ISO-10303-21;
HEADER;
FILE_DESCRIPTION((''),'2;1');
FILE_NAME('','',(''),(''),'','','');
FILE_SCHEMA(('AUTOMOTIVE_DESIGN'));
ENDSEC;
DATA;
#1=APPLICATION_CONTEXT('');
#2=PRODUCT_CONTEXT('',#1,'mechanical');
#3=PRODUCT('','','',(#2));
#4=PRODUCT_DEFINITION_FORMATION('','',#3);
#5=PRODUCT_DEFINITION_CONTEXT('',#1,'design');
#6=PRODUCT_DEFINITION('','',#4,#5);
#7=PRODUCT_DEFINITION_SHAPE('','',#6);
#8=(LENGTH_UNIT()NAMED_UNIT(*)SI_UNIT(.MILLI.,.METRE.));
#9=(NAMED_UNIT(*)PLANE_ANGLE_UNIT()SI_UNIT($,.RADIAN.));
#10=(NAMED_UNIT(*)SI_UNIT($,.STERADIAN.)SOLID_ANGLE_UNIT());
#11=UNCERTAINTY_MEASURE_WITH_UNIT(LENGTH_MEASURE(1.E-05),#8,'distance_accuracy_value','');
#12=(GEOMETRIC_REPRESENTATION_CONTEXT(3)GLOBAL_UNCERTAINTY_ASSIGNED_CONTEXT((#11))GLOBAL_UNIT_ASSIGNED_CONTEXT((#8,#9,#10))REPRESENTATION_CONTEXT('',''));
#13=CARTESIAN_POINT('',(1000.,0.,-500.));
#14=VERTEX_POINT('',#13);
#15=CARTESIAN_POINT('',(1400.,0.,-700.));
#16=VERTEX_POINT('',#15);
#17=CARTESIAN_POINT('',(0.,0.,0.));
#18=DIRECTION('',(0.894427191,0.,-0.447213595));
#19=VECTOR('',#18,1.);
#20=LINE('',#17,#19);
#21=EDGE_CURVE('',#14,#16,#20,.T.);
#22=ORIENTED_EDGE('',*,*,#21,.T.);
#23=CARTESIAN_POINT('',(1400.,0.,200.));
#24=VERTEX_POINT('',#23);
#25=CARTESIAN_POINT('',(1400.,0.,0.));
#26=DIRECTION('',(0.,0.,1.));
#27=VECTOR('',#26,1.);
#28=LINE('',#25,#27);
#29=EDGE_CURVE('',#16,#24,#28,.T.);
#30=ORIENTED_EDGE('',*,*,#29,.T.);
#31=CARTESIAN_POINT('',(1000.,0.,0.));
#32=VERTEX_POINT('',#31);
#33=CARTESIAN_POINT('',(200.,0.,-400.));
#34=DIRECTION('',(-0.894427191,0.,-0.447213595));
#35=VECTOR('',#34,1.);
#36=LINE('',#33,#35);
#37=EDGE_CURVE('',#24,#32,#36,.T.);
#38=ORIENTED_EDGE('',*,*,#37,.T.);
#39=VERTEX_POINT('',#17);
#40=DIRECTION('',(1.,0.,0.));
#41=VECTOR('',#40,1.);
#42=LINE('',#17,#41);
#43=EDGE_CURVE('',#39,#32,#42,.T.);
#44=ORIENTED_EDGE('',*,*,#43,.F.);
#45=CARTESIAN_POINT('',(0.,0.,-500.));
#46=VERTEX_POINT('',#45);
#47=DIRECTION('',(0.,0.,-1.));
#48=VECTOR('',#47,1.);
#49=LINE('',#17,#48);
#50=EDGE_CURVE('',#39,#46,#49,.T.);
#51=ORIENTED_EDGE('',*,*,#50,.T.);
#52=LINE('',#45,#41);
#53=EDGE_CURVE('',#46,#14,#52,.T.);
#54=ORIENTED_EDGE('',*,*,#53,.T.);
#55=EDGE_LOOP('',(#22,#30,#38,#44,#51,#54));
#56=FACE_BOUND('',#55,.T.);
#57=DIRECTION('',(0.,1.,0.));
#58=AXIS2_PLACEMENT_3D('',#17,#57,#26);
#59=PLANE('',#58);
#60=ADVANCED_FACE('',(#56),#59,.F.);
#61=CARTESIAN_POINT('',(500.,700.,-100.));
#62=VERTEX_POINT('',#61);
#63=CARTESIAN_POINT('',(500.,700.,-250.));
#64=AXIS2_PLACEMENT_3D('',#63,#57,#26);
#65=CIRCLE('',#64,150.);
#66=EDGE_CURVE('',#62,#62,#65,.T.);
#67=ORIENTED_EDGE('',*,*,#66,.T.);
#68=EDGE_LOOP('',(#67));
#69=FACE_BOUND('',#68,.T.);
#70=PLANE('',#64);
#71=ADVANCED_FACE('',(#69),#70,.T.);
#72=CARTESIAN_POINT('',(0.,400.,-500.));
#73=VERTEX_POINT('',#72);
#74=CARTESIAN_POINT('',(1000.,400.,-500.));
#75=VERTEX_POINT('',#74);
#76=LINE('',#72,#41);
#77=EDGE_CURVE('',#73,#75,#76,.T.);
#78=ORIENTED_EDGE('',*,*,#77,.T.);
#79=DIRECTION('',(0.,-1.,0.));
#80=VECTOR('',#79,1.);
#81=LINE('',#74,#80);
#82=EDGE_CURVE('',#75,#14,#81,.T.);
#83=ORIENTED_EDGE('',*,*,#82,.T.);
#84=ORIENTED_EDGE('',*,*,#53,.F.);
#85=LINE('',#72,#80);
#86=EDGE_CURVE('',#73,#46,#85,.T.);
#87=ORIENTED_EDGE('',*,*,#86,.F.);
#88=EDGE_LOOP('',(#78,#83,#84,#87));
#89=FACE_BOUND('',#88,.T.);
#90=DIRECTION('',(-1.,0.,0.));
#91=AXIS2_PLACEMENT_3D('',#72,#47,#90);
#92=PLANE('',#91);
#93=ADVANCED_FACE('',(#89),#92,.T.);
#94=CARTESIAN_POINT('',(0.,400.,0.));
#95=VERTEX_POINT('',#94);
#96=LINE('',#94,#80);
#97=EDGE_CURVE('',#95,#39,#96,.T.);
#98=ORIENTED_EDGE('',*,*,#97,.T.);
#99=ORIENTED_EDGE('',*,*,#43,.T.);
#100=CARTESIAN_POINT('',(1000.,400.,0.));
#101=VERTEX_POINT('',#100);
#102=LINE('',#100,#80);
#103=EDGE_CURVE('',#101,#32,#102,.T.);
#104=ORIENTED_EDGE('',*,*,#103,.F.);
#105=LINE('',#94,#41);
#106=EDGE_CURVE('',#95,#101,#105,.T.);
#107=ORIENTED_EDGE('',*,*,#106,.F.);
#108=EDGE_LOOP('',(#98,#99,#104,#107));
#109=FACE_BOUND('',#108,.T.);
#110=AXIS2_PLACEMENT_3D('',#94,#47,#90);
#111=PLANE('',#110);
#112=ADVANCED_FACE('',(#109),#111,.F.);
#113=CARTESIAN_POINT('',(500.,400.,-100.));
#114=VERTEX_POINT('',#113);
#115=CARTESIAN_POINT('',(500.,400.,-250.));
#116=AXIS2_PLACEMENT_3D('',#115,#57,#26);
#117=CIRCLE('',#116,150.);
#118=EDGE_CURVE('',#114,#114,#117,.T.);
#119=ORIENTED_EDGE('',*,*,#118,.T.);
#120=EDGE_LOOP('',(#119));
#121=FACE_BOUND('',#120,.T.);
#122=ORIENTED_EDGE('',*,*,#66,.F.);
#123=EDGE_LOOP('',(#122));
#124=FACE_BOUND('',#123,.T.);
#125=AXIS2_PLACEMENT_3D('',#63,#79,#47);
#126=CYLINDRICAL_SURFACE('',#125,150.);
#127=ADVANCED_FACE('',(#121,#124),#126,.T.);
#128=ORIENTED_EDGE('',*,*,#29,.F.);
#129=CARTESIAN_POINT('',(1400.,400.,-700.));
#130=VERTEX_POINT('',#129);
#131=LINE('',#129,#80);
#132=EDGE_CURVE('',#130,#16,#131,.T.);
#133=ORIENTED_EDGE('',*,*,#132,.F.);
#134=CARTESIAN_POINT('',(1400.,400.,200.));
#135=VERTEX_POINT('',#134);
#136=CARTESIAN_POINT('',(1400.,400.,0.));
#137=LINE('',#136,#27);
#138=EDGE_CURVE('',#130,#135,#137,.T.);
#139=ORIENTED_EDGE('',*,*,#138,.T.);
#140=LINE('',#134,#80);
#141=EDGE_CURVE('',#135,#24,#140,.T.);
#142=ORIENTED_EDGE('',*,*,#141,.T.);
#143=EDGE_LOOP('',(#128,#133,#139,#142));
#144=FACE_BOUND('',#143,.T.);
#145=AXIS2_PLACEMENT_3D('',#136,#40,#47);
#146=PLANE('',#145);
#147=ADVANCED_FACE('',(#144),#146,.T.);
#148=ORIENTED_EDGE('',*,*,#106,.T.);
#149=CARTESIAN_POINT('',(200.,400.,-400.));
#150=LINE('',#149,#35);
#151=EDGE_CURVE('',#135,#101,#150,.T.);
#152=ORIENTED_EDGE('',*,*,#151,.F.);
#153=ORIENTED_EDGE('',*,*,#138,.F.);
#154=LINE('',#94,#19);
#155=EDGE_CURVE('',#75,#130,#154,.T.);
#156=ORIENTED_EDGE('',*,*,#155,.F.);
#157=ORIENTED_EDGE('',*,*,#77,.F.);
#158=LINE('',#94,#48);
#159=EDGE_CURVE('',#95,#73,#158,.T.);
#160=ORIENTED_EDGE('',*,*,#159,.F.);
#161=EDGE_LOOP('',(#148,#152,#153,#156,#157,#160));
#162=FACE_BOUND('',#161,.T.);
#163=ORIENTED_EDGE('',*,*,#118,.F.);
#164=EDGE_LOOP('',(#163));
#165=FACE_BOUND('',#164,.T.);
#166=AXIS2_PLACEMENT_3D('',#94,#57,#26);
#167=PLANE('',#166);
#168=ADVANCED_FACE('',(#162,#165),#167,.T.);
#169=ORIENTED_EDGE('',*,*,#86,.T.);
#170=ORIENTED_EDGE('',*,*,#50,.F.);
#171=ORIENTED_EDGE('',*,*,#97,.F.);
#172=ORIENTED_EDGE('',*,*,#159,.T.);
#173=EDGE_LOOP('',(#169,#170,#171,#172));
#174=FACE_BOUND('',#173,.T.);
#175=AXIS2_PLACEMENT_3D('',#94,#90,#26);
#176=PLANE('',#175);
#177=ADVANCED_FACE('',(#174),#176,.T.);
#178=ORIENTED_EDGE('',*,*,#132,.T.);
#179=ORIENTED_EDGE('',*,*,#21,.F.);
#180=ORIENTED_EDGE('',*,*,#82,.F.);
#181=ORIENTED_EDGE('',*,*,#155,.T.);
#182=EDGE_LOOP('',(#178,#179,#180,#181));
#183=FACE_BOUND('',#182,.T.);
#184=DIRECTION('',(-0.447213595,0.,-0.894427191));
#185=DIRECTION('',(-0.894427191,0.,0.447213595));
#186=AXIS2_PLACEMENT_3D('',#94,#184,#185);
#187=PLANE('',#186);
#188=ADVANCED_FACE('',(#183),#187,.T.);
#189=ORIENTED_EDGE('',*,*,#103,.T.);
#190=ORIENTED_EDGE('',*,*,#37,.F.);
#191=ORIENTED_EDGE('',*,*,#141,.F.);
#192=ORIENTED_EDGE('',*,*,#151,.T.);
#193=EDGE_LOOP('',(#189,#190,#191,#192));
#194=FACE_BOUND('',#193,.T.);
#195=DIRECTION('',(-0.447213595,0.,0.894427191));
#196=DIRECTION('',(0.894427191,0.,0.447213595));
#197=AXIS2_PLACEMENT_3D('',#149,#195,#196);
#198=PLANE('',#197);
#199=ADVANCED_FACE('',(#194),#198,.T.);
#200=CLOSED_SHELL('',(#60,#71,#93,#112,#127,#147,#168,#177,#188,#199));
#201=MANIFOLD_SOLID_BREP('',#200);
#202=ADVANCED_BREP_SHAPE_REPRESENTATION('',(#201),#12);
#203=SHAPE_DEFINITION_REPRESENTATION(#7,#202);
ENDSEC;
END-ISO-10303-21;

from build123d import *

# Parameters (mm, degrees)
SKETCH1_W           = 1000
SKETCH1_H           = 500
BOSS_EXTRUDE1_DEPTH = 400
SKETCH2_R           = 150
BOSS_EXTRUDE2_DEPTH = 300


with BuildPart() as part:
    # Sketch1 → Boss-Extrude1 (new body)
    with BuildSketch(Plane(origin=(0, 0, 0), x_dir=(1, 0, 0), z_dir=(0, 1, 0))):
        Polygon((1400, -200), (1000, 0), (1000, 500), (1400, 700), align=None)
        with Locations((500, 250)):
            Rectangle(SKETCH1_W, SKETCH1_H)
    extrude(amount=BOSS_EXTRUDE1_DEPTH)

    # Sketch2 → Boss-Extrude2 (add)
    with BuildSketch(Plane(origin=(0, 400, 0), x_dir=(1, 0, 0), z_dir=(0, 1, 0))):
        with Locations(Location((500, 250, 0), (0, 0, 270))):
            Circle(SKETCH2_R)
    extrude(amount=BOSS_EXTRUDE2_DEPTH)


solid = part.part
